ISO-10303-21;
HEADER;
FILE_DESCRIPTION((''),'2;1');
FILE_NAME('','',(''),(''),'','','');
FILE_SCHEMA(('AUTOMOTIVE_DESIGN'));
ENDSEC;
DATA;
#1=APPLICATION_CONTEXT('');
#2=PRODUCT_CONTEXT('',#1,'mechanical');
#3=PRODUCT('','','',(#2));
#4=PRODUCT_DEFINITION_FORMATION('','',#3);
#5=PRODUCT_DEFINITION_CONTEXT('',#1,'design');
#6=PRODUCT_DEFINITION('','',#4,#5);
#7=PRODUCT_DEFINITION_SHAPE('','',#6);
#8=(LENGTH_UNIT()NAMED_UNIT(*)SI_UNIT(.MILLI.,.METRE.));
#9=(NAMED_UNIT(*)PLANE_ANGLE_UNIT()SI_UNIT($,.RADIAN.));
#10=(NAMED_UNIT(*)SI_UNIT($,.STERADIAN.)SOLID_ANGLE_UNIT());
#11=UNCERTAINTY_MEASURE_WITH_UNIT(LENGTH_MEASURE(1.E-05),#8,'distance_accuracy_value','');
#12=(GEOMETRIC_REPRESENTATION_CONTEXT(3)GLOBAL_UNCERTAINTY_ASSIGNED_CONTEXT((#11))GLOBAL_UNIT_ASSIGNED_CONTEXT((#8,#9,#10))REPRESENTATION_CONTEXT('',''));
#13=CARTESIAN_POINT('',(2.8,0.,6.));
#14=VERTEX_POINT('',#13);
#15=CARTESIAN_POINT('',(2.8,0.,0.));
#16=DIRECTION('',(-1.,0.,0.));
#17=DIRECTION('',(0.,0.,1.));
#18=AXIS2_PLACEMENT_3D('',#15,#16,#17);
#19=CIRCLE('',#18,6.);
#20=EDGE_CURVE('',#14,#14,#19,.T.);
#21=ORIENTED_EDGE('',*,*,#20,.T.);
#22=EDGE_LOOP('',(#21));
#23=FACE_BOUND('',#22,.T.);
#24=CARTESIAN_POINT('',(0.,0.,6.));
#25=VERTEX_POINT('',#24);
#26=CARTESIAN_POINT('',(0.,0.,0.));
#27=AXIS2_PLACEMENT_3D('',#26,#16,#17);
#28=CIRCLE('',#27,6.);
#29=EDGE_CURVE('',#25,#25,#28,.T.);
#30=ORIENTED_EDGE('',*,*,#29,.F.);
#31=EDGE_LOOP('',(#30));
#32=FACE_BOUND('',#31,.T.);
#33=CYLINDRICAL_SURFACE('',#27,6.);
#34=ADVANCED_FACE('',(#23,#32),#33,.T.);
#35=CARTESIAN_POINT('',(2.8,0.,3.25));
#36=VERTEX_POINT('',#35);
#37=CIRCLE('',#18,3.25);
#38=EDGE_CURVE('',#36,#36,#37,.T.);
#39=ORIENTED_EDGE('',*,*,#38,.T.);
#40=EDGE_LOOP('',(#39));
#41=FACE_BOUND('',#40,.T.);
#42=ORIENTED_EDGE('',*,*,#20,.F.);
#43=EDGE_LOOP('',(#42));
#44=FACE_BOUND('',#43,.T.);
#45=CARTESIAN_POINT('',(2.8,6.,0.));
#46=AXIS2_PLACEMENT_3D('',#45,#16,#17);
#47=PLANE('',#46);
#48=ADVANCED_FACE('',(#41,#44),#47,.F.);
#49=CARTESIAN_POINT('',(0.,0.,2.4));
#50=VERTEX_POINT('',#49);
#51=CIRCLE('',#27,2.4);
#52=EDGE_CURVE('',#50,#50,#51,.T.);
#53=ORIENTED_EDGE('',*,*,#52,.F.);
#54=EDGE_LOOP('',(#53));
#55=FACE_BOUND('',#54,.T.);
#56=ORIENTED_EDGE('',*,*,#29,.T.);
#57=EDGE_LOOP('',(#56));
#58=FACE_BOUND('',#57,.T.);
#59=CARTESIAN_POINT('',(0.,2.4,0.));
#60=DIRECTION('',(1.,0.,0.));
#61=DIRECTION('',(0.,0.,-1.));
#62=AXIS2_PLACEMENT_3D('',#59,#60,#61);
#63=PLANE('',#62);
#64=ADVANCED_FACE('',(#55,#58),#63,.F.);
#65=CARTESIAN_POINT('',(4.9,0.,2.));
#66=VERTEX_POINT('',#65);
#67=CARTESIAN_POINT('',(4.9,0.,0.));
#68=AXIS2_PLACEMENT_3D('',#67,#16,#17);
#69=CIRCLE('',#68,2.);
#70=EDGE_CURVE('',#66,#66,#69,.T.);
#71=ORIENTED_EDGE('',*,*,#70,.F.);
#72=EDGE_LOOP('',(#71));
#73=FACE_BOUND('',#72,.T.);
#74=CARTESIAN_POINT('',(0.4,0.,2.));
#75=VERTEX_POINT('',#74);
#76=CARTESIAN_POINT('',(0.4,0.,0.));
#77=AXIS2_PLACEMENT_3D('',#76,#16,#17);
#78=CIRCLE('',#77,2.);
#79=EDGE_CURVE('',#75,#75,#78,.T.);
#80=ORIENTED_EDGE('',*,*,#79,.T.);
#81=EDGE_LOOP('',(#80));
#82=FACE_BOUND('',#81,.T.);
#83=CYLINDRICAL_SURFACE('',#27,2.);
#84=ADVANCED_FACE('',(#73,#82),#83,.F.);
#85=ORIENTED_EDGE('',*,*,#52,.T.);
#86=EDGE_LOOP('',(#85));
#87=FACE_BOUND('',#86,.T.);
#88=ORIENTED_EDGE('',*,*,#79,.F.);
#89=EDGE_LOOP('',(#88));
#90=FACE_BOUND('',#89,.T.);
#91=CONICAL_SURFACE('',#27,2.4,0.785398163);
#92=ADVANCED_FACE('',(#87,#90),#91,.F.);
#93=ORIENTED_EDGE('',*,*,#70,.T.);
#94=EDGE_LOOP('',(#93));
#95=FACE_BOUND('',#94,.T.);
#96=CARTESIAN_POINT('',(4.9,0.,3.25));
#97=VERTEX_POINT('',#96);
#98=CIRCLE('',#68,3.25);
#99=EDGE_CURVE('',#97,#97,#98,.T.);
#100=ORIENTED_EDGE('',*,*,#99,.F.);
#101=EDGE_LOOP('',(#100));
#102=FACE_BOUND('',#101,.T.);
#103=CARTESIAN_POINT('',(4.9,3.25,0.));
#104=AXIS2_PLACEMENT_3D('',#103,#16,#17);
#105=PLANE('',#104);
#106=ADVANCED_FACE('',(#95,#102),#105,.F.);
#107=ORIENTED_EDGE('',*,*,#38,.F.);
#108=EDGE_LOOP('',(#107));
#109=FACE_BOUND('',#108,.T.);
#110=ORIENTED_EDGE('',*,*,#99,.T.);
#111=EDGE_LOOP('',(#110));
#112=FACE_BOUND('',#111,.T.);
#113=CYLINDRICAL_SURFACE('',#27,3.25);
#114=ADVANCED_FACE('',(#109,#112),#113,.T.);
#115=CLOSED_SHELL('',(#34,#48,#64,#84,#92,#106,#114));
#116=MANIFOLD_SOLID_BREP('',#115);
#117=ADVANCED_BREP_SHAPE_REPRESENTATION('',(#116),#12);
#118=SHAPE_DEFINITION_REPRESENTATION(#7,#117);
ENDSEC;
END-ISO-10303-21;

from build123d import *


with BuildPart() as part:
    # Эскиз1 → Повернуть1 (revolve)
    with BuildSketch(Plane.XY):
        Polygon((0, 2.4), (0, 6), (2.8, 6), (2.8, 3.25), (4.9, 3.25), (4.9, 2), (0.4, 2), align=None)
    revolve(axis=Axis((0, 0, 0), (1, 0, 0)))


solid = part.part
